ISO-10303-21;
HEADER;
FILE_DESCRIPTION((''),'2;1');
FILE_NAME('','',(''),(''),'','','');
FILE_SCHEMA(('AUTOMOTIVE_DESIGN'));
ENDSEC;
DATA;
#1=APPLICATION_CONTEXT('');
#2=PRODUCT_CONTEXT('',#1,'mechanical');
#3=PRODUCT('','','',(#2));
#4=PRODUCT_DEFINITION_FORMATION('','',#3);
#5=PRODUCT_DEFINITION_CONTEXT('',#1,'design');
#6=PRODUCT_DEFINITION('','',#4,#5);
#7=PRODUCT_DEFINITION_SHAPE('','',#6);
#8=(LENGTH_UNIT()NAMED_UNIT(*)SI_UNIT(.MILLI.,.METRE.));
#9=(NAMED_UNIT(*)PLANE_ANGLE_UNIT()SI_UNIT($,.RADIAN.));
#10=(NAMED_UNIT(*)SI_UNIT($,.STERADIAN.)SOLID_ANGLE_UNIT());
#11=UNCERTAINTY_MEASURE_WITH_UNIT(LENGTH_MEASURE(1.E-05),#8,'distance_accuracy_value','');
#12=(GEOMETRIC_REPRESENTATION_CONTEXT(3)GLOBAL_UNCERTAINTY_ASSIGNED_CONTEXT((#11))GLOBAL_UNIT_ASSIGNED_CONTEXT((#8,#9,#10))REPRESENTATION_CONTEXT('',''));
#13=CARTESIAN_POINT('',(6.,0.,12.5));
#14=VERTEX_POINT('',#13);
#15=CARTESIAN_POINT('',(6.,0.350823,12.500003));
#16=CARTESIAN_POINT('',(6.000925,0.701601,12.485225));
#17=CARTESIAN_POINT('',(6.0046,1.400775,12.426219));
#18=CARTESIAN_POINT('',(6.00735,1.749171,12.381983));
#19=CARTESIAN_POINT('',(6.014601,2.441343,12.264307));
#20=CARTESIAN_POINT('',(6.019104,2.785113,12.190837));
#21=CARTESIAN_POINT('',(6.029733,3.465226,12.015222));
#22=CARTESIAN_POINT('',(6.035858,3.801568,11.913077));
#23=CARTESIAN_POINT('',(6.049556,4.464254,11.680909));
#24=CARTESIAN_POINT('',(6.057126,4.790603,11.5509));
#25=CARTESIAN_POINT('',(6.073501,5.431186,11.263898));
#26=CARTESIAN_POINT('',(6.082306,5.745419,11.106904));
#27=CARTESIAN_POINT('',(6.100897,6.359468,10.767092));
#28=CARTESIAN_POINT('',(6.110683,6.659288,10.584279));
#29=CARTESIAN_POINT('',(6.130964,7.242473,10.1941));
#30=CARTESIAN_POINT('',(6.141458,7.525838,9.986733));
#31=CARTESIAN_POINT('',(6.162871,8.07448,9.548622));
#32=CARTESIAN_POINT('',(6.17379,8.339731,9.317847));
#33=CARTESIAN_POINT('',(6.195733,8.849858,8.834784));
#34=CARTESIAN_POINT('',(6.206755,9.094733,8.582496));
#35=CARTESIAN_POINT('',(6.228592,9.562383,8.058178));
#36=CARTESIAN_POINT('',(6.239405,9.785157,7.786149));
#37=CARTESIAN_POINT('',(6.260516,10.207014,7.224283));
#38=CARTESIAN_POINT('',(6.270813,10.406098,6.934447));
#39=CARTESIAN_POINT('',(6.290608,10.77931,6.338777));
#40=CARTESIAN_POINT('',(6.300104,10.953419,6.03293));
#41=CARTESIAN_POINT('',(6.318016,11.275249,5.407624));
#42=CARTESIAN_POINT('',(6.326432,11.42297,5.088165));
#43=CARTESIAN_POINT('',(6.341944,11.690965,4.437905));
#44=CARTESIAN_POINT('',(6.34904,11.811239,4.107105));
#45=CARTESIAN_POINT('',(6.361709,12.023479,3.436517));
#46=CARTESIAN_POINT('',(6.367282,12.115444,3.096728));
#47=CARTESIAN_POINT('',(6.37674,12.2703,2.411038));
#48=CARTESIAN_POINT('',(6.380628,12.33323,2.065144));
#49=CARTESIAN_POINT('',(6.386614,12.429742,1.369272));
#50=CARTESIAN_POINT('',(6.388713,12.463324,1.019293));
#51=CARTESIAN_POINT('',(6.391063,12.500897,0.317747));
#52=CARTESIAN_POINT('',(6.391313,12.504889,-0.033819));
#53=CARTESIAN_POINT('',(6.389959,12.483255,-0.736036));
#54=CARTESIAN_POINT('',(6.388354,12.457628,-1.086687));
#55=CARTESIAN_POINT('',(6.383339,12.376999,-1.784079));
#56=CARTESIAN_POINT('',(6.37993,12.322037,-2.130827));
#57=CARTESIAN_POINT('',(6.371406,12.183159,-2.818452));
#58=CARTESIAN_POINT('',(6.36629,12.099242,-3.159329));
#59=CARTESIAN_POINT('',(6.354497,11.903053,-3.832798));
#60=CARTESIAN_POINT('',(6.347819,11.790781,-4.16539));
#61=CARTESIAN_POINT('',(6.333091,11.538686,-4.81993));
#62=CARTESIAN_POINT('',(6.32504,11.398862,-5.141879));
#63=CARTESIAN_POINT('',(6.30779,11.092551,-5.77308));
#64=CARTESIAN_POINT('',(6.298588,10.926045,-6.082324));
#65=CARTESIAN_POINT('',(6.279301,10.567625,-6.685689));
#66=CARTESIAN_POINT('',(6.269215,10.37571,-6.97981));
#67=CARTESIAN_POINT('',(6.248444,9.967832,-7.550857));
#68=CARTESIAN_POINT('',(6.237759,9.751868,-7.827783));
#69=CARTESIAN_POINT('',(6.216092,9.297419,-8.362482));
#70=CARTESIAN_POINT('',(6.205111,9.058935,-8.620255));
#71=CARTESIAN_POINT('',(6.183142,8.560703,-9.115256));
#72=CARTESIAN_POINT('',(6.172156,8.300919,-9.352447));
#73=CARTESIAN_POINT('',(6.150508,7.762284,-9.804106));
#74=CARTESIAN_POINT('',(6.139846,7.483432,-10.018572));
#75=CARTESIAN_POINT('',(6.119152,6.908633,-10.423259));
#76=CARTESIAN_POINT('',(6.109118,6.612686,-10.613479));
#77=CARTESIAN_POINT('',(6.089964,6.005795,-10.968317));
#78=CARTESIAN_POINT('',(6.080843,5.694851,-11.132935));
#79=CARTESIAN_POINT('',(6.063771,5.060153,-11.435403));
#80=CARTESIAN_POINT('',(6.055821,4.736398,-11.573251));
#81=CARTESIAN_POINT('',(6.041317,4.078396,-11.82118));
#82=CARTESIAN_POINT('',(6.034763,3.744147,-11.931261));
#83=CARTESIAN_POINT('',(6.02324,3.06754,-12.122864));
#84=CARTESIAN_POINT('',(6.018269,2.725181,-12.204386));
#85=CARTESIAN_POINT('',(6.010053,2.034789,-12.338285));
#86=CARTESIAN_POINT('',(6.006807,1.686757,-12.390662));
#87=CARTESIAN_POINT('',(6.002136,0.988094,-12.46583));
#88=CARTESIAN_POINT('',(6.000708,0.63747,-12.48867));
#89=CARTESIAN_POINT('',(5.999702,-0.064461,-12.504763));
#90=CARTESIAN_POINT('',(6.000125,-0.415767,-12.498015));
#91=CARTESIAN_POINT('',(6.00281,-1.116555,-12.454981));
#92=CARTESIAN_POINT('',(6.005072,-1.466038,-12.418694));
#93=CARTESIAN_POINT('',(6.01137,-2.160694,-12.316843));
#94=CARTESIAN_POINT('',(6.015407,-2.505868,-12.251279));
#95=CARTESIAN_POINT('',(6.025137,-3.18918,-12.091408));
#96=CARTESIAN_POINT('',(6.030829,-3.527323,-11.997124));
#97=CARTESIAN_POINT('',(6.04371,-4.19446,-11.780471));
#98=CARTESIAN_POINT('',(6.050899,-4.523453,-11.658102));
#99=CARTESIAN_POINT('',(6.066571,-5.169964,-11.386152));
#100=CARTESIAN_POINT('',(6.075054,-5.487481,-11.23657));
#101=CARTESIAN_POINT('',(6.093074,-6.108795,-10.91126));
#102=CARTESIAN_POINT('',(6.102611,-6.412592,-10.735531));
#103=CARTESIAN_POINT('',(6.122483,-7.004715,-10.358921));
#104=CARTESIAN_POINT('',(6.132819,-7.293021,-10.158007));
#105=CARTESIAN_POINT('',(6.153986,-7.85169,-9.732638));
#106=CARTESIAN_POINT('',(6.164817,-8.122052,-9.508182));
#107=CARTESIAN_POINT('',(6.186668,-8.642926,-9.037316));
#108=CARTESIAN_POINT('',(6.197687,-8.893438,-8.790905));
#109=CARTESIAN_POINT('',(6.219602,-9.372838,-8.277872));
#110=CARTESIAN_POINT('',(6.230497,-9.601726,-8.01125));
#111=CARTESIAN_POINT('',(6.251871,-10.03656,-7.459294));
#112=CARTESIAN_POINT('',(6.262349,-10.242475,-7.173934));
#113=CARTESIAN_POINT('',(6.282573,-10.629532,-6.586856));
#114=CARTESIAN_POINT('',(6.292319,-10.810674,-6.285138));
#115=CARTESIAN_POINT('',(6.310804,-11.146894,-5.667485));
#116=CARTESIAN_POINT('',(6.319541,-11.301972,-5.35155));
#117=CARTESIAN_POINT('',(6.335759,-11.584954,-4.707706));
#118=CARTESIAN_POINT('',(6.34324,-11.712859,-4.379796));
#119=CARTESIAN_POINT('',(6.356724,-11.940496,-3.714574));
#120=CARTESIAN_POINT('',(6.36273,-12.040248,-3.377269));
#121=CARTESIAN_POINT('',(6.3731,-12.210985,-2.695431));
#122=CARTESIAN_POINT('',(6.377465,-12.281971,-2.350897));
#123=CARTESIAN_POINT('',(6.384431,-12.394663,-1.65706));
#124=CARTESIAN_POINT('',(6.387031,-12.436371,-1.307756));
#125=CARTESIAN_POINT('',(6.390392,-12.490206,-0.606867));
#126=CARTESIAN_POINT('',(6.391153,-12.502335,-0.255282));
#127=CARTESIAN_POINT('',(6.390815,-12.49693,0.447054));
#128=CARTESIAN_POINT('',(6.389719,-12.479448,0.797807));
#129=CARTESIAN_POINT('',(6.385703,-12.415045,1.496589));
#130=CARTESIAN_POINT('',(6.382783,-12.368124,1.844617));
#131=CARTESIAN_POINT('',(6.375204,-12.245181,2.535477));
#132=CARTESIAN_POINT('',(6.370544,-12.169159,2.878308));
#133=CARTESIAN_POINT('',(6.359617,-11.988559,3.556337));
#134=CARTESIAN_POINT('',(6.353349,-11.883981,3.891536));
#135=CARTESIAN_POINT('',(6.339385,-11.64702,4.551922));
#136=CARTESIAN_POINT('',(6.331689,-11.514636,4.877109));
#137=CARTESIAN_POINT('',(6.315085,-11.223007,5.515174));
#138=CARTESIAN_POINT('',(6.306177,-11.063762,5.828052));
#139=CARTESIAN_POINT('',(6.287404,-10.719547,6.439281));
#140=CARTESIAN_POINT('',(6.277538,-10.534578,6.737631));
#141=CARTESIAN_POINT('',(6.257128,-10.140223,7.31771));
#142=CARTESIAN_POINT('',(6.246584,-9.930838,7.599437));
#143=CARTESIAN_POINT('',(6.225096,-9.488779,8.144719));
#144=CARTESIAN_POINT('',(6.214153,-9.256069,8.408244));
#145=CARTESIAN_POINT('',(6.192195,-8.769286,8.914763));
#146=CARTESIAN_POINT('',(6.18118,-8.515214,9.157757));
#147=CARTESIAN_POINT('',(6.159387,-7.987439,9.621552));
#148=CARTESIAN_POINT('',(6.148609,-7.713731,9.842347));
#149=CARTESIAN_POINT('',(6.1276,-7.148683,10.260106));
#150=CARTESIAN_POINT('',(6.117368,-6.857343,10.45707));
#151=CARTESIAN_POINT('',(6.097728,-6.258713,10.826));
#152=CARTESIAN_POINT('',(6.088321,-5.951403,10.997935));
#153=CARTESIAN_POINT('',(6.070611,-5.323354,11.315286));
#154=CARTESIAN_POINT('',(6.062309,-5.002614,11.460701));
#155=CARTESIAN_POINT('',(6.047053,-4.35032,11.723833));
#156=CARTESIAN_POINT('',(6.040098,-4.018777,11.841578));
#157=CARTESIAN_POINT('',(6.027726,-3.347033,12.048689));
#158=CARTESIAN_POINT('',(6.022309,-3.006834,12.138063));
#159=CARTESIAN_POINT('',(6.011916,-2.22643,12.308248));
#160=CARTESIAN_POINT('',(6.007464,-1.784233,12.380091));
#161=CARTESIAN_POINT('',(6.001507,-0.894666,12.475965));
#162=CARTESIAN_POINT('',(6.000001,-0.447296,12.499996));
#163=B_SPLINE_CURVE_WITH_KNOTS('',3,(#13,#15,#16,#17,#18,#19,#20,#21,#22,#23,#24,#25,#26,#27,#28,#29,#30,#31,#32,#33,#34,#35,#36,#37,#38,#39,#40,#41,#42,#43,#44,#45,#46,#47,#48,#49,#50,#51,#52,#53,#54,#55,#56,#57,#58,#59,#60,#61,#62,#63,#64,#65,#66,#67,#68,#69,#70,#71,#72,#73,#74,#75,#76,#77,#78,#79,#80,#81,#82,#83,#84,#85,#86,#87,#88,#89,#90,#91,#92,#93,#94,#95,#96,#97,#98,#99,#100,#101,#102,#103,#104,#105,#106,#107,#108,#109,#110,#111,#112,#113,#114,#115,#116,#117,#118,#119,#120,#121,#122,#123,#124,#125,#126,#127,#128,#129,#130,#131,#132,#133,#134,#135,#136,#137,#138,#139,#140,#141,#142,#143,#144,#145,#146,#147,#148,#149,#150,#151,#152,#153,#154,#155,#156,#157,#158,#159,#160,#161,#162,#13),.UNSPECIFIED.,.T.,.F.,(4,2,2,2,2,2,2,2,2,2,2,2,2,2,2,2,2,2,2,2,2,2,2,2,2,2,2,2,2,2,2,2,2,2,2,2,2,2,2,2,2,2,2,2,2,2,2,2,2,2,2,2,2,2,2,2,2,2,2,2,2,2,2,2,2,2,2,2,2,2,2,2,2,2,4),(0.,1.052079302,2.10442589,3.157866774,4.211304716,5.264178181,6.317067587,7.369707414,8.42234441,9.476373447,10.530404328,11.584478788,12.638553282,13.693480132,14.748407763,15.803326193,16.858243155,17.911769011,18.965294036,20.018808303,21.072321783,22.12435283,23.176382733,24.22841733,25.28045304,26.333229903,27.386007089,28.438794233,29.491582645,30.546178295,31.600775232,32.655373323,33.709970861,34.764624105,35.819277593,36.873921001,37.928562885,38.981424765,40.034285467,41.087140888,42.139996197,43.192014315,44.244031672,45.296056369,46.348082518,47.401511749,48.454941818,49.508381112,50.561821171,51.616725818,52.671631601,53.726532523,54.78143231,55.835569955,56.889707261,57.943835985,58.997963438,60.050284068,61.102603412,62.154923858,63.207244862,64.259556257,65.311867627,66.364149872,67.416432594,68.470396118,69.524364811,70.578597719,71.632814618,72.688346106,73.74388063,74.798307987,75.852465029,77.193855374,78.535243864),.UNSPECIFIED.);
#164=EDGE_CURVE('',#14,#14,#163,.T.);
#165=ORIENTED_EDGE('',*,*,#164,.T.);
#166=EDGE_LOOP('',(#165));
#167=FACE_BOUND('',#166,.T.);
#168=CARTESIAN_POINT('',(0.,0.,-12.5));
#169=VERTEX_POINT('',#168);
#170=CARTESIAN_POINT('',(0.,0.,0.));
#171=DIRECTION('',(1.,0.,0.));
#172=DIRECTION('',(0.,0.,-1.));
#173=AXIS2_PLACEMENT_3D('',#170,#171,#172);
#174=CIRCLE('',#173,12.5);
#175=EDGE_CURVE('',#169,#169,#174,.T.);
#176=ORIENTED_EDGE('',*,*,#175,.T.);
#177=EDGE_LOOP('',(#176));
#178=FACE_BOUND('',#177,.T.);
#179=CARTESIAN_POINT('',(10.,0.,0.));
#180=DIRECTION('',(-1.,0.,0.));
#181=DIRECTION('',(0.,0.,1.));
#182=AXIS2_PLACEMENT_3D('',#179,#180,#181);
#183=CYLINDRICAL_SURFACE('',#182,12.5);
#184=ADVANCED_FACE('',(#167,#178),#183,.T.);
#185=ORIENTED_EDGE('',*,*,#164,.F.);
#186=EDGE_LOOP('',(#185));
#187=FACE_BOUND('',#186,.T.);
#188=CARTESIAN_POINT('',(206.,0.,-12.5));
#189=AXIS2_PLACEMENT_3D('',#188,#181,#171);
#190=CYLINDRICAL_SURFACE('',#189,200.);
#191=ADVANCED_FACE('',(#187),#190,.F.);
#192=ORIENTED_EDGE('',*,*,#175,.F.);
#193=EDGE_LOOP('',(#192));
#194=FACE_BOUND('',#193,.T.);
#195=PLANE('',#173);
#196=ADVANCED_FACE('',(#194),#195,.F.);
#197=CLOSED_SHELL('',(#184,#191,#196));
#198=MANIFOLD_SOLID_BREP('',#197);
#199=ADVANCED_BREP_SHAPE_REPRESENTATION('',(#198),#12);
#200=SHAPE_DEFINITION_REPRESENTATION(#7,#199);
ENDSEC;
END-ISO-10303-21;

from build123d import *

# Parameters (mm, degrees)
SKETCH_1_R               = 12.5
EXTRUDE_1_DEPTH          = 10
SKETCH_2_R               = 200
CUT_EXTRUDE_1_DEPTH      = 13.5
CUT_EXTRUDE_1_DEPTH_BACK = 13.5


with BuildPart() as part:
    # 草图1 → 凸台-拉伸1 (new body)
    with BuildSketch(Plane(origin=(0, 0, 0), x_dir=(0, 0, -1), z_dir=(1, 0, 0))):
        Circle(SKETCH_1_R)
    extrude(amount=EXTRUDE_1_DEPTH)

    # 草图2 → 切除-拉伸1 (cut, two sides)
    with BuildSketch(Plane.XY) as cut_extrude_1_sk:
        with Locations((206, 0)):
            Circle(SKETCH_2_R)
    extrude(amount=CUT_EXTRUDE_1_DEPTH, mode=Mode.SUBTRACT)
    extrude(cut_extrude_1_sk.sketch, amount=-CUT_EXTRUDE_1_DEPTH_BACK, mode=Mode.SUBTRACT)


solid = part.part
